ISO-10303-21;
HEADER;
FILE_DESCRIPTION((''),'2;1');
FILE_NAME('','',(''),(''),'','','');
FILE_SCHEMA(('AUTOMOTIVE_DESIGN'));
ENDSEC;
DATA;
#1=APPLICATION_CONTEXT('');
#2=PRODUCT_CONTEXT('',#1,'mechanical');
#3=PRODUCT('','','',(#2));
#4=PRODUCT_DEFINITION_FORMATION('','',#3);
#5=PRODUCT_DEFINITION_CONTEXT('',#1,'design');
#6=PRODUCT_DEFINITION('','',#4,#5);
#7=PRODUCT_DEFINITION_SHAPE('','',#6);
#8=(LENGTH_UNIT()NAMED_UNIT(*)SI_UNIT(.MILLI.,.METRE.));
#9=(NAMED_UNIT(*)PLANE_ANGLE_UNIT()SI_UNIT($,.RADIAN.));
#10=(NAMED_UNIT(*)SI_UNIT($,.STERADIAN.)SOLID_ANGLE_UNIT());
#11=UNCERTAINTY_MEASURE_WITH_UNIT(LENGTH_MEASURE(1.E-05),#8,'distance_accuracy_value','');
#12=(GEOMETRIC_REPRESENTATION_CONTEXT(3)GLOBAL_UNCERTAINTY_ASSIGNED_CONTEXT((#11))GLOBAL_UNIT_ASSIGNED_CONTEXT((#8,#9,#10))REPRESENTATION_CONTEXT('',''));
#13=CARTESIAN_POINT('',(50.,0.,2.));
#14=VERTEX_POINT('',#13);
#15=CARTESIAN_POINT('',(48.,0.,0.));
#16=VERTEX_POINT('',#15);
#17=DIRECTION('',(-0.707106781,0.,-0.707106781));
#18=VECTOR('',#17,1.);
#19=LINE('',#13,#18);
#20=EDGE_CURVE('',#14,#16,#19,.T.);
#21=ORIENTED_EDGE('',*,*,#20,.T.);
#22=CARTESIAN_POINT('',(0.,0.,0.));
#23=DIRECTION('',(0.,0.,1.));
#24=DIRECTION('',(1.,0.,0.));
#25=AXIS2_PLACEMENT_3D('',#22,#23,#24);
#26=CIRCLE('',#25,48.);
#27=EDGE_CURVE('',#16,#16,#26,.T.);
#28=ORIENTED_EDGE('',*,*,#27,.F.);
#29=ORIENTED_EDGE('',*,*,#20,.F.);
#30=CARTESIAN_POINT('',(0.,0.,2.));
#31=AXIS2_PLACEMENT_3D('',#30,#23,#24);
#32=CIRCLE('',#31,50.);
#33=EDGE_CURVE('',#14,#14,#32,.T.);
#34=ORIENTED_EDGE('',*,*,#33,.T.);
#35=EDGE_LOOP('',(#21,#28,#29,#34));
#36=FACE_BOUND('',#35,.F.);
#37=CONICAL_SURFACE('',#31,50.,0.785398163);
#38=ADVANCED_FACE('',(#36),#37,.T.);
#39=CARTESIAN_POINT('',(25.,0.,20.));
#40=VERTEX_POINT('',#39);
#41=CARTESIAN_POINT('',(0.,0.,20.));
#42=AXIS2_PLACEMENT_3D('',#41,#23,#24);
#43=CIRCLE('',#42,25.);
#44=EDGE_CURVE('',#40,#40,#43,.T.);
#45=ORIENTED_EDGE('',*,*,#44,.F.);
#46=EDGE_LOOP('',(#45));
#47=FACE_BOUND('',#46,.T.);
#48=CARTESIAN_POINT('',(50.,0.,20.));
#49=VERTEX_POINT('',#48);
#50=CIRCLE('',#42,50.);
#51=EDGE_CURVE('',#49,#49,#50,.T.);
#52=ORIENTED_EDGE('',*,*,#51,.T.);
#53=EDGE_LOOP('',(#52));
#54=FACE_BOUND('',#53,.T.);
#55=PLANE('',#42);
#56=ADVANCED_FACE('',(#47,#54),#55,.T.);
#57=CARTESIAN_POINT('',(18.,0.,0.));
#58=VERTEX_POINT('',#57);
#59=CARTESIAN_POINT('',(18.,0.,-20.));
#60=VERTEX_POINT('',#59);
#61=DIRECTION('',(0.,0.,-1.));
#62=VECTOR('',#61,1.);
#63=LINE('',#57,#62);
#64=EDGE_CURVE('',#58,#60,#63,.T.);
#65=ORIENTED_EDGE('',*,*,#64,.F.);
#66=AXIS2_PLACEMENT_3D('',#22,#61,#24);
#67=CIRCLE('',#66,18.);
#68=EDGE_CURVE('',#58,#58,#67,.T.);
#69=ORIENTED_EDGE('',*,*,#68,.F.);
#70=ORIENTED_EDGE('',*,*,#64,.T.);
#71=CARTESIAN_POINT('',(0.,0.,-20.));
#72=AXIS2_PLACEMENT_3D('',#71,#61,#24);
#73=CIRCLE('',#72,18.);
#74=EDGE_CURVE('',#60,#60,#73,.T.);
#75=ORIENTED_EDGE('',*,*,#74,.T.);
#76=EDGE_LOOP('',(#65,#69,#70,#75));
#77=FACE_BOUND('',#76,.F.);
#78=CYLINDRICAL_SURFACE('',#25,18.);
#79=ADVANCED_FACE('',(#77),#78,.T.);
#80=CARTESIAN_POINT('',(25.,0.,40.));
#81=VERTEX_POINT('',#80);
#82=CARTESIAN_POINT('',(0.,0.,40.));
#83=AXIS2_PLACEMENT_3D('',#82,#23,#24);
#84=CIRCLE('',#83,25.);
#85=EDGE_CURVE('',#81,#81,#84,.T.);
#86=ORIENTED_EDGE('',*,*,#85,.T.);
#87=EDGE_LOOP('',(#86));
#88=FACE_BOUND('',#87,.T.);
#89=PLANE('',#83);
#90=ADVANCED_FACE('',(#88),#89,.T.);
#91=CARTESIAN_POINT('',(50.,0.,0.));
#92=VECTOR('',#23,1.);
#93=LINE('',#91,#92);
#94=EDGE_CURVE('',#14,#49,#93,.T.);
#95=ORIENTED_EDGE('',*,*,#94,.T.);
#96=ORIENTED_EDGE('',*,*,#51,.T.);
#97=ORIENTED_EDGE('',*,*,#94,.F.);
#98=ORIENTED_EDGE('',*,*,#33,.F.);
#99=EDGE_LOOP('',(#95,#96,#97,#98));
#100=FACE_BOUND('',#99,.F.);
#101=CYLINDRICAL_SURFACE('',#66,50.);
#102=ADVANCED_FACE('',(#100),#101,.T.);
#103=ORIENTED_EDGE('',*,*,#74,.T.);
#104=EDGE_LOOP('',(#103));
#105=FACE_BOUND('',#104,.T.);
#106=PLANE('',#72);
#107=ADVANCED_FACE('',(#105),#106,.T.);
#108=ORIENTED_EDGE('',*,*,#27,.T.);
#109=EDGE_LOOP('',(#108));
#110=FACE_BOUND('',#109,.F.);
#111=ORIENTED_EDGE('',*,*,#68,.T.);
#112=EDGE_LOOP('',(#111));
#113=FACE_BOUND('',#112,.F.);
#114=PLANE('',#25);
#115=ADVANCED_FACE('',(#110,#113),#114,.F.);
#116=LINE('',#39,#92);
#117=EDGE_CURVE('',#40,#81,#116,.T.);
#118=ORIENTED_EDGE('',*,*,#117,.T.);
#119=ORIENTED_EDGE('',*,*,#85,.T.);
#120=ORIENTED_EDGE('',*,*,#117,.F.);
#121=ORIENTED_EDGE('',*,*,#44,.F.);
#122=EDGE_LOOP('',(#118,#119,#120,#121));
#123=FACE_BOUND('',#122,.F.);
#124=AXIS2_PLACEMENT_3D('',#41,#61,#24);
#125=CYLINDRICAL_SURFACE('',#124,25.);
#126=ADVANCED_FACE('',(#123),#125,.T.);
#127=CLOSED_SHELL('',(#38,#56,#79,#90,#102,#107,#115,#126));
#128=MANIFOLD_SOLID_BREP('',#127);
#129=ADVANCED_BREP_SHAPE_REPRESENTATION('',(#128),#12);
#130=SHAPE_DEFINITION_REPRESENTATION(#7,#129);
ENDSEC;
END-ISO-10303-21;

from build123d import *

# Parameters (mm, degrees)
SKETCH_R     = 50
PAD_DEPTH    = 20
CHAMFER_SIZE = 2
SKETCH001_R  = 18
PAD001_DEPTH = 20
SKETCH002_R  = 25
PAD002_DEPTH = 20


with BuildPart() as part:
    # Sketch → Pad (new body)
    with BuildSketch(Plane.XY):
        Circle(SKETCH_R)
    extrude(amount=PAD_DEPTH)

    # Chamfer
    chamfer_edges = [part.edges().sort_by_distance(p)[0] for p in [
        (-50, 0, 0),
    ]]
    chamfer(chamfer_edges, length=CHAMFER_SIZE)

    # Sketch001 (on Face4 of Chamfer) → Pad001 (join)
    with BuildSketch(Plane(origin=(0, 0, 0), x_dir=(1, 0, 0), z_dir=(0, 0, -1))):
        Circle(SKETCH001_R)
    extrude(amount=PAD001_DEPTH)

    # Sketch002 (on Face3 of Pad001) → Pad002 (join)
    with BuildSketch(Plane.XY.offset(20)):
        Circle(SKETCH002_R)
    extrude(amount=PAD002_DEPTH)


solid = part.part
